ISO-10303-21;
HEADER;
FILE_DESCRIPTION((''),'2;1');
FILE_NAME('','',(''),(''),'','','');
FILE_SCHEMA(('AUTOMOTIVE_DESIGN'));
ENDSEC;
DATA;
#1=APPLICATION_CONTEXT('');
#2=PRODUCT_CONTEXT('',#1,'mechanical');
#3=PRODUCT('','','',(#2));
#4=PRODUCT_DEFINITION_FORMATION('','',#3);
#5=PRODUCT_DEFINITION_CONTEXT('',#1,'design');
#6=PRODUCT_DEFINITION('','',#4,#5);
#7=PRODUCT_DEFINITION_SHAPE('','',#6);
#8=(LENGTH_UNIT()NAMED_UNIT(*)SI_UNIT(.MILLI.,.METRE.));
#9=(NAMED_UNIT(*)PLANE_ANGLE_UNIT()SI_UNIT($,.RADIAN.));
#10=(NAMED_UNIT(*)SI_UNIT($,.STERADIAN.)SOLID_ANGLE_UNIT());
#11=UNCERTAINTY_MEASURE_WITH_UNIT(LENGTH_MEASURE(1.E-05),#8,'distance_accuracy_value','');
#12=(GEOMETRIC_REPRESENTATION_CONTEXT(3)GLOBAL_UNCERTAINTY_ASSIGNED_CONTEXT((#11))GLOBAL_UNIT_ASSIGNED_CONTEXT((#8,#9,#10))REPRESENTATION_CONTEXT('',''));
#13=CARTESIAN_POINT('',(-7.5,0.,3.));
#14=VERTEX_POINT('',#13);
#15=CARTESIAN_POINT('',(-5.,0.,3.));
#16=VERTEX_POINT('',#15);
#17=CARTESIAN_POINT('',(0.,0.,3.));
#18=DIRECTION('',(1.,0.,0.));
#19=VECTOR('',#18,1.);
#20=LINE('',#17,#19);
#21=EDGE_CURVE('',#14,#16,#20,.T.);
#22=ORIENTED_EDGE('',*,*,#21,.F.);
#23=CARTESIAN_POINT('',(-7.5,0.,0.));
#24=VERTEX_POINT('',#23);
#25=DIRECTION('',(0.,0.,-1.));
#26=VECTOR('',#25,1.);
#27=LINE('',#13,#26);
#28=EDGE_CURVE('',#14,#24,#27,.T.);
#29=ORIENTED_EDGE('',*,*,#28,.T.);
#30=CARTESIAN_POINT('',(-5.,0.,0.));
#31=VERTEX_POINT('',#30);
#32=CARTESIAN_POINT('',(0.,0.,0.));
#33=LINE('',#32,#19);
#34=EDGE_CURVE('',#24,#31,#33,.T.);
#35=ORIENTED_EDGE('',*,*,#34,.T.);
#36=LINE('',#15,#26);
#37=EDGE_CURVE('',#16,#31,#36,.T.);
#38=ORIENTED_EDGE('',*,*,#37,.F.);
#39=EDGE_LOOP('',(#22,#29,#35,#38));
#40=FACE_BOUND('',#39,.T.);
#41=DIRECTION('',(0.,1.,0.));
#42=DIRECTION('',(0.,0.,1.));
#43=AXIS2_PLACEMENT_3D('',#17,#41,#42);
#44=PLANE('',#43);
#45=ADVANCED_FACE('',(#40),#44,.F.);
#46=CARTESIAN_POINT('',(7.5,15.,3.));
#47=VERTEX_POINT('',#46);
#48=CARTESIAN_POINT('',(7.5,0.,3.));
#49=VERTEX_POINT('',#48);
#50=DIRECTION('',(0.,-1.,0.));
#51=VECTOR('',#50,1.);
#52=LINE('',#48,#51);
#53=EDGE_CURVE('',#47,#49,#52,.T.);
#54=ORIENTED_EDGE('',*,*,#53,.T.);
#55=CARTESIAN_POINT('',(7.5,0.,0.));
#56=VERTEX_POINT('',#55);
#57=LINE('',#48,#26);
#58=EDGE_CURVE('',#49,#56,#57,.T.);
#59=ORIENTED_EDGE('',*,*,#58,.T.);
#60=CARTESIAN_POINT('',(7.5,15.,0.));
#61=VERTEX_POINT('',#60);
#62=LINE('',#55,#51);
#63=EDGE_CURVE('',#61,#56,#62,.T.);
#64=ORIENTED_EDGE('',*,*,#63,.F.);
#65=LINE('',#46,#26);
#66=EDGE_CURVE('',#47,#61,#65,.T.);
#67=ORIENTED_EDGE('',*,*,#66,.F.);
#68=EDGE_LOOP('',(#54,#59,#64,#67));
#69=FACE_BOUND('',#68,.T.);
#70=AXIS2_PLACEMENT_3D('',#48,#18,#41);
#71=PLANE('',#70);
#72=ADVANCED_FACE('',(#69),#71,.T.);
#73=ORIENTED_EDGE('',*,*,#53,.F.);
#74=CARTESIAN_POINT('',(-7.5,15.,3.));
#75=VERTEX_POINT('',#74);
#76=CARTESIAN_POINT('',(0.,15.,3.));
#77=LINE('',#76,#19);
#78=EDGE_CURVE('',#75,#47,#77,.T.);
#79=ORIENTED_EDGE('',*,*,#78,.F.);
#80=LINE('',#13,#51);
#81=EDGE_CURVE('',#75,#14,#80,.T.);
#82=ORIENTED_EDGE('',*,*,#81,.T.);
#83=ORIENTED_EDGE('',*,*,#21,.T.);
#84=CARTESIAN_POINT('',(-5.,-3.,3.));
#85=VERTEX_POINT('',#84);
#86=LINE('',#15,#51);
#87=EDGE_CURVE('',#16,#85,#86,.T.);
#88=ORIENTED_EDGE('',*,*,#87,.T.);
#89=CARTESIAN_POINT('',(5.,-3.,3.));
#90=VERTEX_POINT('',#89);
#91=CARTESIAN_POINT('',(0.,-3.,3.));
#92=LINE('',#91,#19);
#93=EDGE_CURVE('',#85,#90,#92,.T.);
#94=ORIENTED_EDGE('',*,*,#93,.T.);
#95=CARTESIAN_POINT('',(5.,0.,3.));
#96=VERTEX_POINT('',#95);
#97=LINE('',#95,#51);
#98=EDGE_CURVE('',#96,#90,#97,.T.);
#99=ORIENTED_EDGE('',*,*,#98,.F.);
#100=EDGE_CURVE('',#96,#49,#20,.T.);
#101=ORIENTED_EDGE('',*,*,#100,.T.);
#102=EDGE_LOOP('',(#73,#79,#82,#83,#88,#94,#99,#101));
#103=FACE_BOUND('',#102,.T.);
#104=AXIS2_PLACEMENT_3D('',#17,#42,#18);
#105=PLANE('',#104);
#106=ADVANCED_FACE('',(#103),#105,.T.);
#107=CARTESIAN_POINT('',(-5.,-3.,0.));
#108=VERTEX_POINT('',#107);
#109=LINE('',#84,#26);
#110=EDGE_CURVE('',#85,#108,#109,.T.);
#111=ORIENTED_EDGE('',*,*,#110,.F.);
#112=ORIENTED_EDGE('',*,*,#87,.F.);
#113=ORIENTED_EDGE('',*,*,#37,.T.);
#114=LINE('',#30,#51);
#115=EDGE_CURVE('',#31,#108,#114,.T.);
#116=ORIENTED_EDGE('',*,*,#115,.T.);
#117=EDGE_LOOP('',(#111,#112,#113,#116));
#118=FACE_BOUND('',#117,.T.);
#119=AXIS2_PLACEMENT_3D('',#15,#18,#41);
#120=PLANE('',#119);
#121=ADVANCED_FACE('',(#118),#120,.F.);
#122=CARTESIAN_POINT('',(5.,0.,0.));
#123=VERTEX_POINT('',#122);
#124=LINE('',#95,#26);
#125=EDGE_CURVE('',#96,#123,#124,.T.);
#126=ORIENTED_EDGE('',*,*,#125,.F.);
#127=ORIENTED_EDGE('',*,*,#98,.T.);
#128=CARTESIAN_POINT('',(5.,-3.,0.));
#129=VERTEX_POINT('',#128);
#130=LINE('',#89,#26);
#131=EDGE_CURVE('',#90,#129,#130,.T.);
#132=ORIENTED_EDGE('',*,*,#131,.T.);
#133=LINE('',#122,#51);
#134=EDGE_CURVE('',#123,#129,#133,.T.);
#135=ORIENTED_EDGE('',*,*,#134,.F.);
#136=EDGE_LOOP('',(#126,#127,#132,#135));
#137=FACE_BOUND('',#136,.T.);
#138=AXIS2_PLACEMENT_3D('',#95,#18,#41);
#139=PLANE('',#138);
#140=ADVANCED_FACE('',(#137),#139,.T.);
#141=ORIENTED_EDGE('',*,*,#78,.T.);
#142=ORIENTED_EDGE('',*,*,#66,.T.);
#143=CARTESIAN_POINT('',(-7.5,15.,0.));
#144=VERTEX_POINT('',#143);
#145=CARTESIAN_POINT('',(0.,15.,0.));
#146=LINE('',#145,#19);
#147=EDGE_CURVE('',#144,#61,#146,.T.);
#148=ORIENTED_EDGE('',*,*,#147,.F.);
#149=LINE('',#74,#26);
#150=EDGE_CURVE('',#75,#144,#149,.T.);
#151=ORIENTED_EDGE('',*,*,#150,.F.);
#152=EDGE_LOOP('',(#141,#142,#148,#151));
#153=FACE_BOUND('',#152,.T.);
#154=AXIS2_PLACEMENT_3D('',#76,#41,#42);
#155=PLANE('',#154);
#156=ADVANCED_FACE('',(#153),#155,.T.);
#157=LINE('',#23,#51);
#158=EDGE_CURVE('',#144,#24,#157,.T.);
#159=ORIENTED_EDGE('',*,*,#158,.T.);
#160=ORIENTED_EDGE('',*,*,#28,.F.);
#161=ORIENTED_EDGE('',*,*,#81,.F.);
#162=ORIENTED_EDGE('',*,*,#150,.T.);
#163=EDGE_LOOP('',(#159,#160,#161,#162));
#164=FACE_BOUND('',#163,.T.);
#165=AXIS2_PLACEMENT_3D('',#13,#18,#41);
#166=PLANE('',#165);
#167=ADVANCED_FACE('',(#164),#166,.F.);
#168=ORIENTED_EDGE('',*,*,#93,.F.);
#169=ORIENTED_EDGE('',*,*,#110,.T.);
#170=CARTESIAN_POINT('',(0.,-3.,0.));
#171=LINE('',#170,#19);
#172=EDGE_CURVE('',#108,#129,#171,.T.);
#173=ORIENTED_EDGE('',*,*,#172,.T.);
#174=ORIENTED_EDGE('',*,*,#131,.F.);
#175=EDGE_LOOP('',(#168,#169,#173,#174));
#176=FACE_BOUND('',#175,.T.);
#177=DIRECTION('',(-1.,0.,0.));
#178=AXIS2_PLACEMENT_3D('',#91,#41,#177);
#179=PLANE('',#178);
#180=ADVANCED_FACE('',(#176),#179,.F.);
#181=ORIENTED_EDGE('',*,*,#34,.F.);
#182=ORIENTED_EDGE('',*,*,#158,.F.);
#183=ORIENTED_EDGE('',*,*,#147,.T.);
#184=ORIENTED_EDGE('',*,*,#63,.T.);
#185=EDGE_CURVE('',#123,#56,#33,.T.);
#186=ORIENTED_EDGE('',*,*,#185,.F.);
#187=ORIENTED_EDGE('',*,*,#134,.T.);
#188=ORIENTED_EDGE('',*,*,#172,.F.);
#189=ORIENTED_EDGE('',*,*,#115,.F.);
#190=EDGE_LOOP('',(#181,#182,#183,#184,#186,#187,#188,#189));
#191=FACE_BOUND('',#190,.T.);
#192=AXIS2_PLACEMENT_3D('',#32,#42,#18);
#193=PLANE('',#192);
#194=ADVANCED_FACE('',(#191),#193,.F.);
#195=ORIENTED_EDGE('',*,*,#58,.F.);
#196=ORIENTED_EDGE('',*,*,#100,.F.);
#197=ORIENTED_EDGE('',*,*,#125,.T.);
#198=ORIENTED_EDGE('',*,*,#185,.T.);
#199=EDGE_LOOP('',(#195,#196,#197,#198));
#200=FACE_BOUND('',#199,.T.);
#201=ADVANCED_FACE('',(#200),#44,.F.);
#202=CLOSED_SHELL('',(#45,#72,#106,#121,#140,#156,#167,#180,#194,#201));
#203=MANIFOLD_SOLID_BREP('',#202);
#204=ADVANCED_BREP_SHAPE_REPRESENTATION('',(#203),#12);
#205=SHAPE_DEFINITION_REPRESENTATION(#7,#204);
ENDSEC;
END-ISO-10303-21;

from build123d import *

# Parameters (mm, degrees)
SKETCH1_W           = 15
SKETCH1_H           = 15
SKETCH1_W_2         = 10
SKETCH1_H_2         = 3
BOSS_EXTRUDE1_DEPTH = 3


with BuildPart() as part:
    # Sketch1 → Boss-Extrude1 (new body)
    with BuildSketch(Plane.XY):
        with Locations((0, 7.5)):
            Rectangle(SKETCH1_W, SKETCH1_H)
        with Locations((0, -1.5)):
            Rectangle(SKETCH1_W_2, SKETCH1_H_2)
    extrude(amount=BOSS_EXTRUDE1_DEPTH)


solid = part.part
